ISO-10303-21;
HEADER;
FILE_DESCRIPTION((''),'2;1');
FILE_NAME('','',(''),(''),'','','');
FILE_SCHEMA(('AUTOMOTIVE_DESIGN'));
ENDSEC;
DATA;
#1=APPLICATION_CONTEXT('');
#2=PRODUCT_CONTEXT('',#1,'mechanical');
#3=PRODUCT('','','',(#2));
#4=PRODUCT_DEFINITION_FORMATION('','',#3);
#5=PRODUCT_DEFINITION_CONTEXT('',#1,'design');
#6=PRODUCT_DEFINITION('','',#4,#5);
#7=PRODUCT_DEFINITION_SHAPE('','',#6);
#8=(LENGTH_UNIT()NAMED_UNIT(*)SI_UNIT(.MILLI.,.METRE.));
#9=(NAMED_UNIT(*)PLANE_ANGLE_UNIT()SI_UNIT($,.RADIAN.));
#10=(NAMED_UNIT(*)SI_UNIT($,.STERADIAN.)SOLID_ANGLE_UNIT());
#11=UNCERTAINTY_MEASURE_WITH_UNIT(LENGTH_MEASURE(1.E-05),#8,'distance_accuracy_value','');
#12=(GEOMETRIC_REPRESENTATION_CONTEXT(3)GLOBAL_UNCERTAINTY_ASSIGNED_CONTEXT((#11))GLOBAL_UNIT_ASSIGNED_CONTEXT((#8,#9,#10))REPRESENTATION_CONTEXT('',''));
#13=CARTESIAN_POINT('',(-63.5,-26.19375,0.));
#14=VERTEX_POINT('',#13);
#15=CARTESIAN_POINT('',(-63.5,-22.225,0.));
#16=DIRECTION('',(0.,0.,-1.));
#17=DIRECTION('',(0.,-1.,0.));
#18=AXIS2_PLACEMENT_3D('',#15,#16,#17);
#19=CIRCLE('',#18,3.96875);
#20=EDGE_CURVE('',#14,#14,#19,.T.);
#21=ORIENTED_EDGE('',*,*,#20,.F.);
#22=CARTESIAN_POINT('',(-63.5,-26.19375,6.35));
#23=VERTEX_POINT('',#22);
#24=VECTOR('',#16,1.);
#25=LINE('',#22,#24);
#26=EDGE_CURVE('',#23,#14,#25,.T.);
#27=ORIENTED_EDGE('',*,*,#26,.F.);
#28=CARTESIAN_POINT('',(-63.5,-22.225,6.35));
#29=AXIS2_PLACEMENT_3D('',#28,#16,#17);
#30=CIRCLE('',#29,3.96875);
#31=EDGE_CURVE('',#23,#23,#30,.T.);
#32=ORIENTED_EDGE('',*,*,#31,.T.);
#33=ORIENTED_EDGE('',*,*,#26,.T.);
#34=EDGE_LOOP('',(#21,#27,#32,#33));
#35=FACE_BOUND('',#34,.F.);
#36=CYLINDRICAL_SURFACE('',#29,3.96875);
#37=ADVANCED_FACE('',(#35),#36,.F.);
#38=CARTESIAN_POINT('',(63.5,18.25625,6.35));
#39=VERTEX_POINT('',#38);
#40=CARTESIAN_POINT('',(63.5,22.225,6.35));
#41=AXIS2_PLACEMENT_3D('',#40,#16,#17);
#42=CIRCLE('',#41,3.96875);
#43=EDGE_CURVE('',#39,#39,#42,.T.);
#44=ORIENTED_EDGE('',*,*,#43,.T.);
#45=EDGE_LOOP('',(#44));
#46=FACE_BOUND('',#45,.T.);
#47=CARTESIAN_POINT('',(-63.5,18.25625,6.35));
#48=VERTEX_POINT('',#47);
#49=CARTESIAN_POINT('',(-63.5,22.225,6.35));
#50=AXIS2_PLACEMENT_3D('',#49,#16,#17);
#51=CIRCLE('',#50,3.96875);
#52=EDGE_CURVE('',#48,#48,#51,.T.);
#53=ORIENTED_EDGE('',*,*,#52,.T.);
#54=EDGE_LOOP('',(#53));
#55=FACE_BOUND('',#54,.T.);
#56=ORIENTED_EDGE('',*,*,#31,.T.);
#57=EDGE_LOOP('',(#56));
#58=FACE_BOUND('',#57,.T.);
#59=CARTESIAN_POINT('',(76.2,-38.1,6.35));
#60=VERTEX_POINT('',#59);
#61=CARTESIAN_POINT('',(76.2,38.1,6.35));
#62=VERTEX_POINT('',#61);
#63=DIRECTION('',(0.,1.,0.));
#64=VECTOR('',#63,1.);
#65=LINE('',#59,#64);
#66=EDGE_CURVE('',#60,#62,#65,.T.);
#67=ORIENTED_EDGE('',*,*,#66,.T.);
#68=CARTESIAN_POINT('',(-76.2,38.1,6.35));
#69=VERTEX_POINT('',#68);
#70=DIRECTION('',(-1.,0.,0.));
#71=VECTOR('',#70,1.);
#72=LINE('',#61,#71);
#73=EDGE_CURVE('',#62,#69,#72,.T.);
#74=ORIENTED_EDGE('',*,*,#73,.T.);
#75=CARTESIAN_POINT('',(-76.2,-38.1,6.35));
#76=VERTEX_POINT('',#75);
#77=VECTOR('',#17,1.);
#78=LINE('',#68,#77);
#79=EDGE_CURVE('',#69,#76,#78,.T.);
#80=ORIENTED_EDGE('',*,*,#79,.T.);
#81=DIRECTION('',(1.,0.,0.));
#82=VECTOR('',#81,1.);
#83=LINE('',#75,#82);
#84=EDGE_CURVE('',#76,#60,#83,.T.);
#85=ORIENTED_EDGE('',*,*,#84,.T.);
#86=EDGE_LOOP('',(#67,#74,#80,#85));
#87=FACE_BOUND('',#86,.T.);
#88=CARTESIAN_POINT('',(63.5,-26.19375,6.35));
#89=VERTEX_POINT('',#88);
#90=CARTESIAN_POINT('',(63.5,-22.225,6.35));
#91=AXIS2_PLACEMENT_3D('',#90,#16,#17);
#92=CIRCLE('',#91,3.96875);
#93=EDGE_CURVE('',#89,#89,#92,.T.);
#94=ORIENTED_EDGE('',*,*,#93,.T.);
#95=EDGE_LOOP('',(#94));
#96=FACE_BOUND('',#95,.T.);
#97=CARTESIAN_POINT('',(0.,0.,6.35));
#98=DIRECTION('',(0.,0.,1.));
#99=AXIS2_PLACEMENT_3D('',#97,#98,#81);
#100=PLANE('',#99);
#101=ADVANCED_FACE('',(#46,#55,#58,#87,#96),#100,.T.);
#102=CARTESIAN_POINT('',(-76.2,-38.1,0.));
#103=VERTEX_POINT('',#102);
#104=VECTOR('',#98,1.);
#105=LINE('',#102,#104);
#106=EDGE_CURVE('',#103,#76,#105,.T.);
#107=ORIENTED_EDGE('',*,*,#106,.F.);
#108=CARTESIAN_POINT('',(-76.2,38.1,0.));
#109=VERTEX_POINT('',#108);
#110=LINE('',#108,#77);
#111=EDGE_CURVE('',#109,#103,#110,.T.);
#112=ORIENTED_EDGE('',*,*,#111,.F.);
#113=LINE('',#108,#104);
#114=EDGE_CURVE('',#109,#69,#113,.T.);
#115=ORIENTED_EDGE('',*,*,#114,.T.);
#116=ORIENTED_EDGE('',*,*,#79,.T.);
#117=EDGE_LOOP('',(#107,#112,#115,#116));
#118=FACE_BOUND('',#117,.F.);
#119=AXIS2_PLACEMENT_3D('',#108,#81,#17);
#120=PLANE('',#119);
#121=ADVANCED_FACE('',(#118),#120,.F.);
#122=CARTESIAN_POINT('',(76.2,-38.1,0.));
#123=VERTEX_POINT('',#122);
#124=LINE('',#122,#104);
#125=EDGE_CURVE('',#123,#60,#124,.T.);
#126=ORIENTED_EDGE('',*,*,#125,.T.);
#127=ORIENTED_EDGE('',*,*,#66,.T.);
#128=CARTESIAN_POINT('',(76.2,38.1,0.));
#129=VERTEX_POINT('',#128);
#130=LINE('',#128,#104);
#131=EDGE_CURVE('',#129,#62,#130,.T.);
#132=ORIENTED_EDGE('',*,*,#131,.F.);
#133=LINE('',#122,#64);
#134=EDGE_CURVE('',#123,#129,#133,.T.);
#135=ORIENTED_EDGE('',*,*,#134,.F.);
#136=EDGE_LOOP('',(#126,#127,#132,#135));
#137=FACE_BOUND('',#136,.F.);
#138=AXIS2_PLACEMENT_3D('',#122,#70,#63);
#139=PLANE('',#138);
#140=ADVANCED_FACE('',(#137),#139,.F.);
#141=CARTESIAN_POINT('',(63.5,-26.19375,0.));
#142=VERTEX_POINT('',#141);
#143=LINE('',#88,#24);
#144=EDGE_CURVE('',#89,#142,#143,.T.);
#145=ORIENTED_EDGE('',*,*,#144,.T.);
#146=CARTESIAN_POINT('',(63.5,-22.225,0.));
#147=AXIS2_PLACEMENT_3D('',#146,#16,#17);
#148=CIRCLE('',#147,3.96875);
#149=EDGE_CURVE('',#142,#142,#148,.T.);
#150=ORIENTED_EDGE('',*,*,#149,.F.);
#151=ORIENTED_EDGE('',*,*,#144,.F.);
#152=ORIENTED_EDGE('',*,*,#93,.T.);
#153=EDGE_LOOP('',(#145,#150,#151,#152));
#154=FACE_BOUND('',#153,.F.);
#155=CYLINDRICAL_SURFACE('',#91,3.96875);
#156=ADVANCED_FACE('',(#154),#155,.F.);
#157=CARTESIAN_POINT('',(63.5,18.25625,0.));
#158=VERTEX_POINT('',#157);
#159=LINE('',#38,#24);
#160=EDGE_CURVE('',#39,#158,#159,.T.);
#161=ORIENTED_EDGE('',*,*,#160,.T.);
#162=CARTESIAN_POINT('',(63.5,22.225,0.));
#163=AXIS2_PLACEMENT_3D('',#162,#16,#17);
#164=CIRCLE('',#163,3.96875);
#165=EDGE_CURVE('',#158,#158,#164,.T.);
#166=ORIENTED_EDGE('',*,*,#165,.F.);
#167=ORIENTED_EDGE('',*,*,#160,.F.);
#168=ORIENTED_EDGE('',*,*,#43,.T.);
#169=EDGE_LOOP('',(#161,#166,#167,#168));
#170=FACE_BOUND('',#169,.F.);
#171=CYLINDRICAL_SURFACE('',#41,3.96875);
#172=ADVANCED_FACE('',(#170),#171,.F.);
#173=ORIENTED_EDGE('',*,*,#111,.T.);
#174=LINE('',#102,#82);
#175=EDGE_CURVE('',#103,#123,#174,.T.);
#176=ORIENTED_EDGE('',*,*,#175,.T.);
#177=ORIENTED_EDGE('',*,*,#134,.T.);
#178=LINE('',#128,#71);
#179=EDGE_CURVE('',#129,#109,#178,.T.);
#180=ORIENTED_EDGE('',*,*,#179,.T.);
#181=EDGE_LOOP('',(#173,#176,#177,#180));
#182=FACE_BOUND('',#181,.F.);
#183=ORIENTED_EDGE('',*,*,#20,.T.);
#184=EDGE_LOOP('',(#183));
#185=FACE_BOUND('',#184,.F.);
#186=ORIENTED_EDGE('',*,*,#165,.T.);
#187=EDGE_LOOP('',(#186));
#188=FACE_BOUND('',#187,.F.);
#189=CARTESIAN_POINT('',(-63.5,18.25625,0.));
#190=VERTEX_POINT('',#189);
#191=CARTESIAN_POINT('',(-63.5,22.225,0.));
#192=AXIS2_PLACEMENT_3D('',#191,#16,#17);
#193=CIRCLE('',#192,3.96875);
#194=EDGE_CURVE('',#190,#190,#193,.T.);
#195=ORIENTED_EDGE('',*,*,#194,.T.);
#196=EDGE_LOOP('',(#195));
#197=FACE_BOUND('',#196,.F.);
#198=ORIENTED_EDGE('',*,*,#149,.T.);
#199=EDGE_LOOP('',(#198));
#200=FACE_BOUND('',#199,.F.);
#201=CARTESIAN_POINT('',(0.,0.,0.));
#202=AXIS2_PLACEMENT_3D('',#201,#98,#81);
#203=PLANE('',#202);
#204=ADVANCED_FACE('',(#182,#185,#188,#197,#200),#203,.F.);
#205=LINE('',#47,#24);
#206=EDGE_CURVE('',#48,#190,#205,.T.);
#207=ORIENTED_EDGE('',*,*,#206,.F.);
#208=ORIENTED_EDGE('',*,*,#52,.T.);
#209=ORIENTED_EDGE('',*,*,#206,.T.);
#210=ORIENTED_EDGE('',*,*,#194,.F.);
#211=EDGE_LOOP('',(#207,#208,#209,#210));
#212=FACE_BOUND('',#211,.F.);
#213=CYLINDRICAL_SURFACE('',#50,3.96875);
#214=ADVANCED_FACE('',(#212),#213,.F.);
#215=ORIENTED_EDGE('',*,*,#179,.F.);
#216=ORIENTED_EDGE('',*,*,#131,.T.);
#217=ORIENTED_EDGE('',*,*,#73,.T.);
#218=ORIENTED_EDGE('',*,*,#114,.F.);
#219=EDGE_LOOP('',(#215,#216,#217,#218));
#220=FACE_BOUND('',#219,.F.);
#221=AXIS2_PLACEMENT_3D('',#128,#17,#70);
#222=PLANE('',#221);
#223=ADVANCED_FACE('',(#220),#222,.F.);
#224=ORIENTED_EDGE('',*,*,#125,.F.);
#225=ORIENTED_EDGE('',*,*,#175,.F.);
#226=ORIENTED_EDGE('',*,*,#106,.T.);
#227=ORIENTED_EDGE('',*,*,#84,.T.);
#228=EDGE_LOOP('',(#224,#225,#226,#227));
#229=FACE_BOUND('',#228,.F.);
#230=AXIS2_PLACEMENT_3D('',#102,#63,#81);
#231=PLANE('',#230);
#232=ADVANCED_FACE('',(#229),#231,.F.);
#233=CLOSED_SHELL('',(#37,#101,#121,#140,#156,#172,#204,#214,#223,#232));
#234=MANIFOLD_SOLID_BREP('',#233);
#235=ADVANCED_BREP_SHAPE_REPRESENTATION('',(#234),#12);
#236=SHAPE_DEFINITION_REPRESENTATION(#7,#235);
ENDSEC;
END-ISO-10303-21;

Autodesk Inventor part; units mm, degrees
ref_plane "YZ Plane" through (0, 0, 0) normal (1, 0, 0) x (0, 1, 0)
ref_plane "XZ Plane" through (0, 0, 0) normal (0, 1, 0) x (-1, 0, 0)
ref_plane "XY Plane" through (0, 0, 0) normal (0, 0, 1) x (1, 0, 0)
sketch "Sketch1" plane through (0, 0, 0) normal (0, 0, 1) x (1, 0, 0)
  line L0 (-76.2, -38.1) -> (76.2, -38.1)
  line L1 (76.2, -38.1) -> (76.2, 38.1)
  line L2 (76.2, 38.1) -> (-76.2, 38.1)
  line L3 (-76.2, 38.1) -> (-76.2, -38.1)
  line L4 (-76.2, -38.1) -> (76.2, 38.1) construction
  line L5 (76.2, -38.1) -> (-76.2, 38.1) construction
  point P0 (0, 0)
  dimension "d0" = 152.4
  dimension "d1" = 76.2
extrude "Extrusion1" add sketch "Sketch1" along normal blind 6.35
sketch "Sketch2" plane through (0, 0, 6.35) normal (0, 0, 1) x (1, 0, 0)
  line L0 (63.5, 0) -> (63.5, 22.225) construction
  line L1 (63.5, 22.225) -> (63.5, -22.225) construction
  line L2 (63.5, 22.225) -> (-63.5, 22.225) construction
  line L3 (-63.5, 22.225) -> (-63.5, -22.225) construction
  line L4 (-63.5, -22.225) -> (63.5, -22.225) construction
  line L5 (63.5, -22.225) -> (63.5, 22.225) construction
  point P0 (0, 0)
  dimension "d4" = 63.5
  dimension "d7" = 127
  dimension "d16" = 44.45
  dimension "d17" = 127
  dimension "d18" = 22.225
  dimension "d19" = 63.5
hole "Hole1" at (-63.5, 22.225, 6.35) at (-63.5, -22.225, 6.35) at (63.5, -22.225, 6.35) at (63.5, 22.225, 6.35) direction (0, 0, -1) diameter 7.9375 depth 19.05 tip angle 118
equation "\"d18\" = 0.5 * d16"
equation "\"d19\" = 0.5 * d17"
properties part number "Arm Support Plate"
